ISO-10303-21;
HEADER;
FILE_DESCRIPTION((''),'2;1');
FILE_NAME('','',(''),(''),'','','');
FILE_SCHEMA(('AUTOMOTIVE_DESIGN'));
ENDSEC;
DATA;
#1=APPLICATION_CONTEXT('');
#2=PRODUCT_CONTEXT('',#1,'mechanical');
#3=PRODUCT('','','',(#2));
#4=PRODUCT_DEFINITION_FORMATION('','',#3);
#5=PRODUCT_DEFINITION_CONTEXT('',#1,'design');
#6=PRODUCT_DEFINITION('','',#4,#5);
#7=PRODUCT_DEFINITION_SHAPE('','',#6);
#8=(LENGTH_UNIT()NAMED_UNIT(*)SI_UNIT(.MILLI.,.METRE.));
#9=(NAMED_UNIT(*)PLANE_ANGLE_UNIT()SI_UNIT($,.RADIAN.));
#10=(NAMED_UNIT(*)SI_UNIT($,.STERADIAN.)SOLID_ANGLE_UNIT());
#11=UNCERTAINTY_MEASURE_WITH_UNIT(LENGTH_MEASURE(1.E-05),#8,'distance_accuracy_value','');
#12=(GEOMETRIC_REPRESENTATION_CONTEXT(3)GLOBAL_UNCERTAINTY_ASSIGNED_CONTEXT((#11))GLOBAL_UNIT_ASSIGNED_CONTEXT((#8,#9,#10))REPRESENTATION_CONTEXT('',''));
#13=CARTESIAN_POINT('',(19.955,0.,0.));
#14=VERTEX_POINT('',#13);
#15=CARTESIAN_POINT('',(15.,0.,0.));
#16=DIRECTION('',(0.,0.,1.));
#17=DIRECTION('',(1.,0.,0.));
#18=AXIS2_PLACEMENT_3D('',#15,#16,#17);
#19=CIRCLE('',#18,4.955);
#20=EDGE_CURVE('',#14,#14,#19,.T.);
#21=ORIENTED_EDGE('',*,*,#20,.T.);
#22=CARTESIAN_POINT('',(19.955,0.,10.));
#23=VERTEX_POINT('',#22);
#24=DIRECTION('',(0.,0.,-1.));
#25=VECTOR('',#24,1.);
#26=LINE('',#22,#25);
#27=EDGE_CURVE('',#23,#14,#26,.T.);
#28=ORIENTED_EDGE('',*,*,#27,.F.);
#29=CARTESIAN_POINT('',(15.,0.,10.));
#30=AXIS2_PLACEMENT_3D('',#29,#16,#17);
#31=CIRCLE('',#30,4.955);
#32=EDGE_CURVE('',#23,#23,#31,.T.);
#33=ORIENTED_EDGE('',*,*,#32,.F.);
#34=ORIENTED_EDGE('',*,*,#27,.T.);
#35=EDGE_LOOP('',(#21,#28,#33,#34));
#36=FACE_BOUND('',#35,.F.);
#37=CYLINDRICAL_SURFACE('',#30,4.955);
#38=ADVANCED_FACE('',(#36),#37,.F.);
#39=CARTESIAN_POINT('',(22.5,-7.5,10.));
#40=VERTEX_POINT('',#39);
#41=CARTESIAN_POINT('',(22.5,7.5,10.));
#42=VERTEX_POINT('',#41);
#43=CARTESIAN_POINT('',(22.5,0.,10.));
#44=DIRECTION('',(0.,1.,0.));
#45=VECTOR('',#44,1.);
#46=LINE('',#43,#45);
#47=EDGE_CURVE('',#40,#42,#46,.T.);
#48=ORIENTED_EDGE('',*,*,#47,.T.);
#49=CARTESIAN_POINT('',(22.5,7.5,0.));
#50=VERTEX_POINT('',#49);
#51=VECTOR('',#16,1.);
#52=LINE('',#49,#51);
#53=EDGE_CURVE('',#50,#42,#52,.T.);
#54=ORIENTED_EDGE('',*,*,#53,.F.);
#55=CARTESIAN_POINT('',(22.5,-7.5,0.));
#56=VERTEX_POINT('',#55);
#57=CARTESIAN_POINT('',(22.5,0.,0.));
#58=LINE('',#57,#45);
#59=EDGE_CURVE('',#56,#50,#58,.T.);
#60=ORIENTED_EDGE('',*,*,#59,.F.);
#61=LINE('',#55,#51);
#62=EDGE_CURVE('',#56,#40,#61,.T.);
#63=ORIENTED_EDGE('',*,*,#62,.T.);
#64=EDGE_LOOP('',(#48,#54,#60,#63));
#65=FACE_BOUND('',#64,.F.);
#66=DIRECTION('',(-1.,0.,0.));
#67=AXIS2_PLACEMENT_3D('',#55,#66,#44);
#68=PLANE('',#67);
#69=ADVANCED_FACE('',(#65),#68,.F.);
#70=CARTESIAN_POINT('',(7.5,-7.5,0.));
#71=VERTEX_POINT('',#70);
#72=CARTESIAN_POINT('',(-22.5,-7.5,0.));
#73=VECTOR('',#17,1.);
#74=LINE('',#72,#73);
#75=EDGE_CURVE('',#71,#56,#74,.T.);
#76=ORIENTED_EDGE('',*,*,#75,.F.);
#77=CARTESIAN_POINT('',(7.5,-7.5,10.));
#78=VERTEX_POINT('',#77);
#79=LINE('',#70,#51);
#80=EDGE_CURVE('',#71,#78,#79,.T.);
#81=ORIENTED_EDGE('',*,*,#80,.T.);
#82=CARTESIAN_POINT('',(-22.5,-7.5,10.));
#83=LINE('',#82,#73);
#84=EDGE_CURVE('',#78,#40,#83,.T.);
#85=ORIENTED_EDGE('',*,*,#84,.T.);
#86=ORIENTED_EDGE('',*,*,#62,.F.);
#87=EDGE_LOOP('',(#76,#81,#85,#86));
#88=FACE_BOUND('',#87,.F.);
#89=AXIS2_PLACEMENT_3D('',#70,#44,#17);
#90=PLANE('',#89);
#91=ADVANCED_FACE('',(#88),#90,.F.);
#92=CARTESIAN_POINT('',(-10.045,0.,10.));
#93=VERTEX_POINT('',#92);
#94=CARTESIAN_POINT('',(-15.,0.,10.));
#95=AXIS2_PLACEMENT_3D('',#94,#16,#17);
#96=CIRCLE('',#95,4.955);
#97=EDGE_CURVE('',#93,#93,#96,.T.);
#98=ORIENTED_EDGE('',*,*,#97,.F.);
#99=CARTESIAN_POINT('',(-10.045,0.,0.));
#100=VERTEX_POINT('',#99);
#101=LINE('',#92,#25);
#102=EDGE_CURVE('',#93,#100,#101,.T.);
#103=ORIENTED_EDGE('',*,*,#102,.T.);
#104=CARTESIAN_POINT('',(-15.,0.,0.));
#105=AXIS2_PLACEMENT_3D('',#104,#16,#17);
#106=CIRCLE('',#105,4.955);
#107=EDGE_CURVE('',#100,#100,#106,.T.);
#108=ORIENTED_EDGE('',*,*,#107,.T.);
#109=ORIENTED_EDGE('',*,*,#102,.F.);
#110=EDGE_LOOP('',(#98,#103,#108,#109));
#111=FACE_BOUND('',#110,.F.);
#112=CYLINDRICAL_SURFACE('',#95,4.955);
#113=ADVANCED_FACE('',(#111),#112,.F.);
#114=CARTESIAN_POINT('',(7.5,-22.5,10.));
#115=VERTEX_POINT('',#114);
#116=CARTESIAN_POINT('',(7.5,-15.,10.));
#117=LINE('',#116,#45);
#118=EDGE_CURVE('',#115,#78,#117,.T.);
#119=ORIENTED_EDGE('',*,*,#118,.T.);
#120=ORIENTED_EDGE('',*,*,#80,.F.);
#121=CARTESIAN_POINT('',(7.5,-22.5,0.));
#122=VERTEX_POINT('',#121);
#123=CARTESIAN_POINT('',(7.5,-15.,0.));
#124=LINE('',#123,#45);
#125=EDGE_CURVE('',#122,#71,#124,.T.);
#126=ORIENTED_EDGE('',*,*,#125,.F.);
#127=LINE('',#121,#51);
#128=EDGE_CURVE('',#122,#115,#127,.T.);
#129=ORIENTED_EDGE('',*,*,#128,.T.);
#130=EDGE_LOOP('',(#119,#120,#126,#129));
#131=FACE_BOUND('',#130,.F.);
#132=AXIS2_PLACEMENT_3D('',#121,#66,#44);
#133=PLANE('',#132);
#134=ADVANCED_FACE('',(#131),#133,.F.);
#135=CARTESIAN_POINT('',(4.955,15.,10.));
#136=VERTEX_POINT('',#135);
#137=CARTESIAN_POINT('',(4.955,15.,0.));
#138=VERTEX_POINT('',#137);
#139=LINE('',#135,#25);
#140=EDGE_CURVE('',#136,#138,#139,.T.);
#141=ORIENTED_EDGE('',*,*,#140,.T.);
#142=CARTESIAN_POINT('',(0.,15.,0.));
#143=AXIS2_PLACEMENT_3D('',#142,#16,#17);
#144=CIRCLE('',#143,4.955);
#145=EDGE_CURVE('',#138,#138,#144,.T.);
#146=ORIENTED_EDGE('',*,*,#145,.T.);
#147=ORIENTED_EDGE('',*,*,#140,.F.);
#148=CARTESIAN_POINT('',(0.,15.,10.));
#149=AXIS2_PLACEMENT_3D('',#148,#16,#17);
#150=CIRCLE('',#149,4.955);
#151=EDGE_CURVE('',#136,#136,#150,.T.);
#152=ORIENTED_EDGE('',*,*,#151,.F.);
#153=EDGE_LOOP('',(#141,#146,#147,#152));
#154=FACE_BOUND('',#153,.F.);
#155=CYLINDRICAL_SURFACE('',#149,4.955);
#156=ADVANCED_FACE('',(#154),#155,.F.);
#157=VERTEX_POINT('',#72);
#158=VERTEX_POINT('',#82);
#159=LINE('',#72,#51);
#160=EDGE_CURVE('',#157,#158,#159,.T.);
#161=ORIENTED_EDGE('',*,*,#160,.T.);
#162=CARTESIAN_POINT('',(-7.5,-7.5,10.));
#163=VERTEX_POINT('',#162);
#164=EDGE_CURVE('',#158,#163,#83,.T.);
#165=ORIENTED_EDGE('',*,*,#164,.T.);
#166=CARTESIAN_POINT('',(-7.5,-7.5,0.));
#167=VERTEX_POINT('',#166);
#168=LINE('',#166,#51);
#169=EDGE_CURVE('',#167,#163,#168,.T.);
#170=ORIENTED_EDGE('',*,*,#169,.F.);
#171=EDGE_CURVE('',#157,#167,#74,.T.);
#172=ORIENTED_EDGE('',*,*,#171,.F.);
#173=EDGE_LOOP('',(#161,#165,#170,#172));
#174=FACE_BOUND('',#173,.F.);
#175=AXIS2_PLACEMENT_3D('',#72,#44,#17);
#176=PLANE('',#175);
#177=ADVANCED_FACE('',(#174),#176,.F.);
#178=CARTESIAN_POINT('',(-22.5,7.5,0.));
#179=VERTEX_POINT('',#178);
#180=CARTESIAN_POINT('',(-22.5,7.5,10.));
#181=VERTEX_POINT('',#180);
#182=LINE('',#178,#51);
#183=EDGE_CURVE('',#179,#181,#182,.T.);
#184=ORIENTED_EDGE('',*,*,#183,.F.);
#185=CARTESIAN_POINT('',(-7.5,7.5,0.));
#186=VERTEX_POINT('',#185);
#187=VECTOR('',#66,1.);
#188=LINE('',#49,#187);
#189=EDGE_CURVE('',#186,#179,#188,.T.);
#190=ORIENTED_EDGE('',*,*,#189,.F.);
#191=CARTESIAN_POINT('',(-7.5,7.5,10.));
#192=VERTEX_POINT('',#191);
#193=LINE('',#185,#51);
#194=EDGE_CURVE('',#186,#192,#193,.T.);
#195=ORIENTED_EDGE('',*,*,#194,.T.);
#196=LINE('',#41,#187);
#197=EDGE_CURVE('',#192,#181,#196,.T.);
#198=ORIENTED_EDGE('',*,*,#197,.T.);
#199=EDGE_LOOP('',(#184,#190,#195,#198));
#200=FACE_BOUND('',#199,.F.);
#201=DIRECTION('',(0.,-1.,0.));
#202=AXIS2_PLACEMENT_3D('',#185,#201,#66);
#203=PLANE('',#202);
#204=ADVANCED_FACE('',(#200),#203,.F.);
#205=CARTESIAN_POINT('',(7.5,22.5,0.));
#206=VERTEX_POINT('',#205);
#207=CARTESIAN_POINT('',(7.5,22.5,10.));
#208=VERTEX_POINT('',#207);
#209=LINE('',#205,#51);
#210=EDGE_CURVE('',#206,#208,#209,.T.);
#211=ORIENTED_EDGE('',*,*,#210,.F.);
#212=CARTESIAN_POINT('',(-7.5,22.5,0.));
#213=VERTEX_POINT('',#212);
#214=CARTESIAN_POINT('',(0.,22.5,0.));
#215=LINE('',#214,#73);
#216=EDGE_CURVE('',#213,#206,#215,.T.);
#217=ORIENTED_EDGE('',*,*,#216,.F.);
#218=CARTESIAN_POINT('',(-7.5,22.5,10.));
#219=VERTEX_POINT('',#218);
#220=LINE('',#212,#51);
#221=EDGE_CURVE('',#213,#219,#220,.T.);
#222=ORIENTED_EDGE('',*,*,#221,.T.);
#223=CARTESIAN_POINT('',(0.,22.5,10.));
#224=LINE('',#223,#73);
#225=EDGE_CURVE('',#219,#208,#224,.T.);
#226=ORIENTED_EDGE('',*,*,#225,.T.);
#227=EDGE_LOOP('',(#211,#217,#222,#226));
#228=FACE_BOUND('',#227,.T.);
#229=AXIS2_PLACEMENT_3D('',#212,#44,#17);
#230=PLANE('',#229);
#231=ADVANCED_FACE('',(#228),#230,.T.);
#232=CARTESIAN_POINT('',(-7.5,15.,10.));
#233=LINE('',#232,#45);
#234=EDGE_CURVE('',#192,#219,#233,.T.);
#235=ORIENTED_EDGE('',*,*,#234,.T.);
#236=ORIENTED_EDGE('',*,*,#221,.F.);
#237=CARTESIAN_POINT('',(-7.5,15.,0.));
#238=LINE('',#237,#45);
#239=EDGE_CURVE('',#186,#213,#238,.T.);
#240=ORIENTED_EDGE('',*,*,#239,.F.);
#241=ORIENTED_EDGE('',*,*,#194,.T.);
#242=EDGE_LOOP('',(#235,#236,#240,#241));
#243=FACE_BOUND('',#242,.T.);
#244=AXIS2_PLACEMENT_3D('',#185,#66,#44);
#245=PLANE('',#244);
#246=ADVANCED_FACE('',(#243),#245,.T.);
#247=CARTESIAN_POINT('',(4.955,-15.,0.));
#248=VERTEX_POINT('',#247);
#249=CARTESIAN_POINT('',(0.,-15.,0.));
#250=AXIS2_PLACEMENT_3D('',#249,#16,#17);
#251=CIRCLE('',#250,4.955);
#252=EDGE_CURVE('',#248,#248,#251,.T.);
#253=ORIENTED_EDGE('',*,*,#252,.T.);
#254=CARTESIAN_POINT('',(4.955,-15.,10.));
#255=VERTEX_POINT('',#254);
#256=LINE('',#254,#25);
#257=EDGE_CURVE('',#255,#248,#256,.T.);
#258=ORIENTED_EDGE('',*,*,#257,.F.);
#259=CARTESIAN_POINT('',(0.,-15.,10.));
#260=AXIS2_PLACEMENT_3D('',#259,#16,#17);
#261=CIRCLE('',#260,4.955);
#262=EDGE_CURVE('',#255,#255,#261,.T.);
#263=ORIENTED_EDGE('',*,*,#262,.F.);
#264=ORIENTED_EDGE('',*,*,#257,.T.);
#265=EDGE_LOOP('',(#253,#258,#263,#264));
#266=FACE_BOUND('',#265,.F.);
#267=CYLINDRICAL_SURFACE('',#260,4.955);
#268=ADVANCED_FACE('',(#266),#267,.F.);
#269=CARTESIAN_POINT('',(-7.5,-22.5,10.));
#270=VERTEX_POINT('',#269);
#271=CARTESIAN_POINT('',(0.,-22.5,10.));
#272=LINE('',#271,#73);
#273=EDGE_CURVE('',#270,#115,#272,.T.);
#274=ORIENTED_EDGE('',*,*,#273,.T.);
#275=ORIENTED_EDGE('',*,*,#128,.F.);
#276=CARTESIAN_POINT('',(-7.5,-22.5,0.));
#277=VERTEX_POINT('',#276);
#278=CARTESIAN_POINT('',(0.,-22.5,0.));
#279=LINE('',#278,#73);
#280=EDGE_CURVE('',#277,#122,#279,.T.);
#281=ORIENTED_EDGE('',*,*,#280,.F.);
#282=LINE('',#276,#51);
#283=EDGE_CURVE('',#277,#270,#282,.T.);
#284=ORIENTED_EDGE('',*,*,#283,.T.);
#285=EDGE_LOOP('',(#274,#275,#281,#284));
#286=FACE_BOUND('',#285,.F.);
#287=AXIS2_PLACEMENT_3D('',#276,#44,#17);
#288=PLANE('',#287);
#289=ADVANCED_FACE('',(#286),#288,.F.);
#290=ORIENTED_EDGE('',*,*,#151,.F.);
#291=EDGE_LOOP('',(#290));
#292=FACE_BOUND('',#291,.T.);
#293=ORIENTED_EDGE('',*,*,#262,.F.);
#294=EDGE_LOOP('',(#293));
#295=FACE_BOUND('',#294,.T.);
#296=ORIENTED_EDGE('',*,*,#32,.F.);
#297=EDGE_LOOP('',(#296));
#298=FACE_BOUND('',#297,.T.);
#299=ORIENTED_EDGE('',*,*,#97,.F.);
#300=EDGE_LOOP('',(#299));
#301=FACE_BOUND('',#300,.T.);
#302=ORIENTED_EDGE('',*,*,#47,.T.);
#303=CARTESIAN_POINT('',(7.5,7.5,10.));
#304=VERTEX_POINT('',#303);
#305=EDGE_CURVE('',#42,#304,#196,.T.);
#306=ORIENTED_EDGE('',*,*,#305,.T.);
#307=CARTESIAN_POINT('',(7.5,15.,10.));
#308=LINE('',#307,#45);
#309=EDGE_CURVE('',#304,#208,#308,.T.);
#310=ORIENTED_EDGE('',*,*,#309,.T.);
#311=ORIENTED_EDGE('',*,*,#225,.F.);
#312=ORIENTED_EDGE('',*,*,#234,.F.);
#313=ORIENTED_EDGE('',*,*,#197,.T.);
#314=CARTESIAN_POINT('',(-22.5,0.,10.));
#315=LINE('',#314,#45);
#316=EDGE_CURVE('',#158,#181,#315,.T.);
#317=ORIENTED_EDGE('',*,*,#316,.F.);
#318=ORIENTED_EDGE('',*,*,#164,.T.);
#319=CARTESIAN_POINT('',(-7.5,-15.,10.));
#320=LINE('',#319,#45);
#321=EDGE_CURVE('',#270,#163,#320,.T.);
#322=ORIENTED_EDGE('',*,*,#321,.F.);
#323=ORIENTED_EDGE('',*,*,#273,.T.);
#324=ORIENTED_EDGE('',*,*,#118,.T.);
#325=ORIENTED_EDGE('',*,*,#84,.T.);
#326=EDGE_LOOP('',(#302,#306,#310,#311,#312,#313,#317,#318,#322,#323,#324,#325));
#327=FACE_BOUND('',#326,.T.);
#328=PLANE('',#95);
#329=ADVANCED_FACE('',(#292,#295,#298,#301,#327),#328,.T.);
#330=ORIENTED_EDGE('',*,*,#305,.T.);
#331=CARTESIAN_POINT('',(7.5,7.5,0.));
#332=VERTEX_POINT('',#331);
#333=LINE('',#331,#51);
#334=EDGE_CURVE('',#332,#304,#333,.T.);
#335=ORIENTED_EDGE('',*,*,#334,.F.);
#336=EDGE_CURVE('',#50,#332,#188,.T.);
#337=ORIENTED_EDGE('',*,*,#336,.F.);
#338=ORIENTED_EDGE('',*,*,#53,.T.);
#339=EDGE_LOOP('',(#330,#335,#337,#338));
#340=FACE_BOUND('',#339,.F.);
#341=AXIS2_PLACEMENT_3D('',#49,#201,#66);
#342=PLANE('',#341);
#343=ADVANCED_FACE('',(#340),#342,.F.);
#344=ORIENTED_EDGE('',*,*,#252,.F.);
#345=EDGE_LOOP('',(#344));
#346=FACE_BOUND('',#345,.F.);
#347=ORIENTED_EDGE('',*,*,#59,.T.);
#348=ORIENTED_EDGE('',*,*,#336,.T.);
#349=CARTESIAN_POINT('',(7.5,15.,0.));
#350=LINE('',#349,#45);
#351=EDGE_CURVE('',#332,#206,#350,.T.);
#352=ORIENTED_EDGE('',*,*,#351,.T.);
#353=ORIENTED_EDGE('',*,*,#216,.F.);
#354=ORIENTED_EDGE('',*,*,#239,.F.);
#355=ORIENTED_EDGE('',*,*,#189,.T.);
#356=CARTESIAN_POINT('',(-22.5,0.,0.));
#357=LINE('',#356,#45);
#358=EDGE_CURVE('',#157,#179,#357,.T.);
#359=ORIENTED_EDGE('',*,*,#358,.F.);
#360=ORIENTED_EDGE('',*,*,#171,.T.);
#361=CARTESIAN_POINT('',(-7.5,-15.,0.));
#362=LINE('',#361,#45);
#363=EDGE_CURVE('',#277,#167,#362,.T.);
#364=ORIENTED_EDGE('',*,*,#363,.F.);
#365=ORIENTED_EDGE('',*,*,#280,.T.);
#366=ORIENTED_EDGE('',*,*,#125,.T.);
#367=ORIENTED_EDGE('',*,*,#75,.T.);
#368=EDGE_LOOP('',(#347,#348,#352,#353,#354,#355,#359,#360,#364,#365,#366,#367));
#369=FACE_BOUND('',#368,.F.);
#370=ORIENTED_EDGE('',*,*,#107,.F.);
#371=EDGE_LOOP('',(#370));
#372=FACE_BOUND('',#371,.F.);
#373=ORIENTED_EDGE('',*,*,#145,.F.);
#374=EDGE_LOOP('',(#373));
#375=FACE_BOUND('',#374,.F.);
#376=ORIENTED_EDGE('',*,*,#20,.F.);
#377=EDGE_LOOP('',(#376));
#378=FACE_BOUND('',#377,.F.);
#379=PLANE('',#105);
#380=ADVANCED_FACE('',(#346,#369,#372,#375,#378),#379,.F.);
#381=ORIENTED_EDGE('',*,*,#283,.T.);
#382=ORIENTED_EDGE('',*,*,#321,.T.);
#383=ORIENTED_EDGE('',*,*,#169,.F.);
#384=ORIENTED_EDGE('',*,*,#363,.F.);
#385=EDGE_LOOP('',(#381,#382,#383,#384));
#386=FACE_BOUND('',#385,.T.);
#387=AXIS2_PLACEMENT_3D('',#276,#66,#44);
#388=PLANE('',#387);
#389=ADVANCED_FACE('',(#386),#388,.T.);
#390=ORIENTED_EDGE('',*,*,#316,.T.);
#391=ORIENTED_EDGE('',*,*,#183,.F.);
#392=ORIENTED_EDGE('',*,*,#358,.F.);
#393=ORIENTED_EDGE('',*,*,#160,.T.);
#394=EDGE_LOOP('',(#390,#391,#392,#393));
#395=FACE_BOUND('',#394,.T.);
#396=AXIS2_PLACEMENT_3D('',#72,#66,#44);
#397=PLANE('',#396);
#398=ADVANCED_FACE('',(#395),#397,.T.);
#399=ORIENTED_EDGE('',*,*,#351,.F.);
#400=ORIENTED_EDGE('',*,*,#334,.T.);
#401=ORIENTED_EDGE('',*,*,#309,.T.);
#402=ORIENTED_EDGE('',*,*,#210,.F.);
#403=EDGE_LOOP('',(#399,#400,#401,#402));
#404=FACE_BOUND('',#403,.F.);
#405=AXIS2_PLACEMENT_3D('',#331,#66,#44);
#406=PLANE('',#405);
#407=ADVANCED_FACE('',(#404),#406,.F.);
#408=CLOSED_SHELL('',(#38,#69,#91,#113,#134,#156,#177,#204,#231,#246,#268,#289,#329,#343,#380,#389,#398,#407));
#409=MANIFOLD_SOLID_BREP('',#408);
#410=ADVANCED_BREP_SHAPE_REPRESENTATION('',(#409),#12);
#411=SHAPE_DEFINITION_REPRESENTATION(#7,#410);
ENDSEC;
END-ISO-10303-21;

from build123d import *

# Parameters (mm, degrees)
F0_W     = 15
F0_H     = 15
F1_DEPTH = 10
F2_R     = 4.955
F3_DEPTH = 10.001


with BuildPart() as f1:
    # F0 (on Top) → F1 (new body)
    with BuildSketch(Plane.XY):
        with Locations((-15, 0)):
            Rectangle(F0_W, F0_H)
        Rectangle(F0_W, F0_H)
        with Locations((15, 0)):
            Rectangle(F0_W, F0_H)
        with Locations((0, 15)):
            Rectangle(F0_W, F0_H)
        with Locations((0, -15)):
            Rectangle(F0_W, F0_H)
    extrude(amount=F1_DEPTH)

    # F2 (on face) → F3 (cut, through all)
    with BuildSketch(Plane.XY.offset(10)):
        with Locations((-15, 0)):
            Circle(F2_R)
        with Locations((15, 0)):
            Circle(F2_R)
        with Locations((0, -15)):
            Circle(F2_R)
        with Locations((0, 15)):
            Circle(F2_R)
    extrude(amount=-F3_DEPTH, mode=Mode.SUBTRACT)


solid = f1.part
